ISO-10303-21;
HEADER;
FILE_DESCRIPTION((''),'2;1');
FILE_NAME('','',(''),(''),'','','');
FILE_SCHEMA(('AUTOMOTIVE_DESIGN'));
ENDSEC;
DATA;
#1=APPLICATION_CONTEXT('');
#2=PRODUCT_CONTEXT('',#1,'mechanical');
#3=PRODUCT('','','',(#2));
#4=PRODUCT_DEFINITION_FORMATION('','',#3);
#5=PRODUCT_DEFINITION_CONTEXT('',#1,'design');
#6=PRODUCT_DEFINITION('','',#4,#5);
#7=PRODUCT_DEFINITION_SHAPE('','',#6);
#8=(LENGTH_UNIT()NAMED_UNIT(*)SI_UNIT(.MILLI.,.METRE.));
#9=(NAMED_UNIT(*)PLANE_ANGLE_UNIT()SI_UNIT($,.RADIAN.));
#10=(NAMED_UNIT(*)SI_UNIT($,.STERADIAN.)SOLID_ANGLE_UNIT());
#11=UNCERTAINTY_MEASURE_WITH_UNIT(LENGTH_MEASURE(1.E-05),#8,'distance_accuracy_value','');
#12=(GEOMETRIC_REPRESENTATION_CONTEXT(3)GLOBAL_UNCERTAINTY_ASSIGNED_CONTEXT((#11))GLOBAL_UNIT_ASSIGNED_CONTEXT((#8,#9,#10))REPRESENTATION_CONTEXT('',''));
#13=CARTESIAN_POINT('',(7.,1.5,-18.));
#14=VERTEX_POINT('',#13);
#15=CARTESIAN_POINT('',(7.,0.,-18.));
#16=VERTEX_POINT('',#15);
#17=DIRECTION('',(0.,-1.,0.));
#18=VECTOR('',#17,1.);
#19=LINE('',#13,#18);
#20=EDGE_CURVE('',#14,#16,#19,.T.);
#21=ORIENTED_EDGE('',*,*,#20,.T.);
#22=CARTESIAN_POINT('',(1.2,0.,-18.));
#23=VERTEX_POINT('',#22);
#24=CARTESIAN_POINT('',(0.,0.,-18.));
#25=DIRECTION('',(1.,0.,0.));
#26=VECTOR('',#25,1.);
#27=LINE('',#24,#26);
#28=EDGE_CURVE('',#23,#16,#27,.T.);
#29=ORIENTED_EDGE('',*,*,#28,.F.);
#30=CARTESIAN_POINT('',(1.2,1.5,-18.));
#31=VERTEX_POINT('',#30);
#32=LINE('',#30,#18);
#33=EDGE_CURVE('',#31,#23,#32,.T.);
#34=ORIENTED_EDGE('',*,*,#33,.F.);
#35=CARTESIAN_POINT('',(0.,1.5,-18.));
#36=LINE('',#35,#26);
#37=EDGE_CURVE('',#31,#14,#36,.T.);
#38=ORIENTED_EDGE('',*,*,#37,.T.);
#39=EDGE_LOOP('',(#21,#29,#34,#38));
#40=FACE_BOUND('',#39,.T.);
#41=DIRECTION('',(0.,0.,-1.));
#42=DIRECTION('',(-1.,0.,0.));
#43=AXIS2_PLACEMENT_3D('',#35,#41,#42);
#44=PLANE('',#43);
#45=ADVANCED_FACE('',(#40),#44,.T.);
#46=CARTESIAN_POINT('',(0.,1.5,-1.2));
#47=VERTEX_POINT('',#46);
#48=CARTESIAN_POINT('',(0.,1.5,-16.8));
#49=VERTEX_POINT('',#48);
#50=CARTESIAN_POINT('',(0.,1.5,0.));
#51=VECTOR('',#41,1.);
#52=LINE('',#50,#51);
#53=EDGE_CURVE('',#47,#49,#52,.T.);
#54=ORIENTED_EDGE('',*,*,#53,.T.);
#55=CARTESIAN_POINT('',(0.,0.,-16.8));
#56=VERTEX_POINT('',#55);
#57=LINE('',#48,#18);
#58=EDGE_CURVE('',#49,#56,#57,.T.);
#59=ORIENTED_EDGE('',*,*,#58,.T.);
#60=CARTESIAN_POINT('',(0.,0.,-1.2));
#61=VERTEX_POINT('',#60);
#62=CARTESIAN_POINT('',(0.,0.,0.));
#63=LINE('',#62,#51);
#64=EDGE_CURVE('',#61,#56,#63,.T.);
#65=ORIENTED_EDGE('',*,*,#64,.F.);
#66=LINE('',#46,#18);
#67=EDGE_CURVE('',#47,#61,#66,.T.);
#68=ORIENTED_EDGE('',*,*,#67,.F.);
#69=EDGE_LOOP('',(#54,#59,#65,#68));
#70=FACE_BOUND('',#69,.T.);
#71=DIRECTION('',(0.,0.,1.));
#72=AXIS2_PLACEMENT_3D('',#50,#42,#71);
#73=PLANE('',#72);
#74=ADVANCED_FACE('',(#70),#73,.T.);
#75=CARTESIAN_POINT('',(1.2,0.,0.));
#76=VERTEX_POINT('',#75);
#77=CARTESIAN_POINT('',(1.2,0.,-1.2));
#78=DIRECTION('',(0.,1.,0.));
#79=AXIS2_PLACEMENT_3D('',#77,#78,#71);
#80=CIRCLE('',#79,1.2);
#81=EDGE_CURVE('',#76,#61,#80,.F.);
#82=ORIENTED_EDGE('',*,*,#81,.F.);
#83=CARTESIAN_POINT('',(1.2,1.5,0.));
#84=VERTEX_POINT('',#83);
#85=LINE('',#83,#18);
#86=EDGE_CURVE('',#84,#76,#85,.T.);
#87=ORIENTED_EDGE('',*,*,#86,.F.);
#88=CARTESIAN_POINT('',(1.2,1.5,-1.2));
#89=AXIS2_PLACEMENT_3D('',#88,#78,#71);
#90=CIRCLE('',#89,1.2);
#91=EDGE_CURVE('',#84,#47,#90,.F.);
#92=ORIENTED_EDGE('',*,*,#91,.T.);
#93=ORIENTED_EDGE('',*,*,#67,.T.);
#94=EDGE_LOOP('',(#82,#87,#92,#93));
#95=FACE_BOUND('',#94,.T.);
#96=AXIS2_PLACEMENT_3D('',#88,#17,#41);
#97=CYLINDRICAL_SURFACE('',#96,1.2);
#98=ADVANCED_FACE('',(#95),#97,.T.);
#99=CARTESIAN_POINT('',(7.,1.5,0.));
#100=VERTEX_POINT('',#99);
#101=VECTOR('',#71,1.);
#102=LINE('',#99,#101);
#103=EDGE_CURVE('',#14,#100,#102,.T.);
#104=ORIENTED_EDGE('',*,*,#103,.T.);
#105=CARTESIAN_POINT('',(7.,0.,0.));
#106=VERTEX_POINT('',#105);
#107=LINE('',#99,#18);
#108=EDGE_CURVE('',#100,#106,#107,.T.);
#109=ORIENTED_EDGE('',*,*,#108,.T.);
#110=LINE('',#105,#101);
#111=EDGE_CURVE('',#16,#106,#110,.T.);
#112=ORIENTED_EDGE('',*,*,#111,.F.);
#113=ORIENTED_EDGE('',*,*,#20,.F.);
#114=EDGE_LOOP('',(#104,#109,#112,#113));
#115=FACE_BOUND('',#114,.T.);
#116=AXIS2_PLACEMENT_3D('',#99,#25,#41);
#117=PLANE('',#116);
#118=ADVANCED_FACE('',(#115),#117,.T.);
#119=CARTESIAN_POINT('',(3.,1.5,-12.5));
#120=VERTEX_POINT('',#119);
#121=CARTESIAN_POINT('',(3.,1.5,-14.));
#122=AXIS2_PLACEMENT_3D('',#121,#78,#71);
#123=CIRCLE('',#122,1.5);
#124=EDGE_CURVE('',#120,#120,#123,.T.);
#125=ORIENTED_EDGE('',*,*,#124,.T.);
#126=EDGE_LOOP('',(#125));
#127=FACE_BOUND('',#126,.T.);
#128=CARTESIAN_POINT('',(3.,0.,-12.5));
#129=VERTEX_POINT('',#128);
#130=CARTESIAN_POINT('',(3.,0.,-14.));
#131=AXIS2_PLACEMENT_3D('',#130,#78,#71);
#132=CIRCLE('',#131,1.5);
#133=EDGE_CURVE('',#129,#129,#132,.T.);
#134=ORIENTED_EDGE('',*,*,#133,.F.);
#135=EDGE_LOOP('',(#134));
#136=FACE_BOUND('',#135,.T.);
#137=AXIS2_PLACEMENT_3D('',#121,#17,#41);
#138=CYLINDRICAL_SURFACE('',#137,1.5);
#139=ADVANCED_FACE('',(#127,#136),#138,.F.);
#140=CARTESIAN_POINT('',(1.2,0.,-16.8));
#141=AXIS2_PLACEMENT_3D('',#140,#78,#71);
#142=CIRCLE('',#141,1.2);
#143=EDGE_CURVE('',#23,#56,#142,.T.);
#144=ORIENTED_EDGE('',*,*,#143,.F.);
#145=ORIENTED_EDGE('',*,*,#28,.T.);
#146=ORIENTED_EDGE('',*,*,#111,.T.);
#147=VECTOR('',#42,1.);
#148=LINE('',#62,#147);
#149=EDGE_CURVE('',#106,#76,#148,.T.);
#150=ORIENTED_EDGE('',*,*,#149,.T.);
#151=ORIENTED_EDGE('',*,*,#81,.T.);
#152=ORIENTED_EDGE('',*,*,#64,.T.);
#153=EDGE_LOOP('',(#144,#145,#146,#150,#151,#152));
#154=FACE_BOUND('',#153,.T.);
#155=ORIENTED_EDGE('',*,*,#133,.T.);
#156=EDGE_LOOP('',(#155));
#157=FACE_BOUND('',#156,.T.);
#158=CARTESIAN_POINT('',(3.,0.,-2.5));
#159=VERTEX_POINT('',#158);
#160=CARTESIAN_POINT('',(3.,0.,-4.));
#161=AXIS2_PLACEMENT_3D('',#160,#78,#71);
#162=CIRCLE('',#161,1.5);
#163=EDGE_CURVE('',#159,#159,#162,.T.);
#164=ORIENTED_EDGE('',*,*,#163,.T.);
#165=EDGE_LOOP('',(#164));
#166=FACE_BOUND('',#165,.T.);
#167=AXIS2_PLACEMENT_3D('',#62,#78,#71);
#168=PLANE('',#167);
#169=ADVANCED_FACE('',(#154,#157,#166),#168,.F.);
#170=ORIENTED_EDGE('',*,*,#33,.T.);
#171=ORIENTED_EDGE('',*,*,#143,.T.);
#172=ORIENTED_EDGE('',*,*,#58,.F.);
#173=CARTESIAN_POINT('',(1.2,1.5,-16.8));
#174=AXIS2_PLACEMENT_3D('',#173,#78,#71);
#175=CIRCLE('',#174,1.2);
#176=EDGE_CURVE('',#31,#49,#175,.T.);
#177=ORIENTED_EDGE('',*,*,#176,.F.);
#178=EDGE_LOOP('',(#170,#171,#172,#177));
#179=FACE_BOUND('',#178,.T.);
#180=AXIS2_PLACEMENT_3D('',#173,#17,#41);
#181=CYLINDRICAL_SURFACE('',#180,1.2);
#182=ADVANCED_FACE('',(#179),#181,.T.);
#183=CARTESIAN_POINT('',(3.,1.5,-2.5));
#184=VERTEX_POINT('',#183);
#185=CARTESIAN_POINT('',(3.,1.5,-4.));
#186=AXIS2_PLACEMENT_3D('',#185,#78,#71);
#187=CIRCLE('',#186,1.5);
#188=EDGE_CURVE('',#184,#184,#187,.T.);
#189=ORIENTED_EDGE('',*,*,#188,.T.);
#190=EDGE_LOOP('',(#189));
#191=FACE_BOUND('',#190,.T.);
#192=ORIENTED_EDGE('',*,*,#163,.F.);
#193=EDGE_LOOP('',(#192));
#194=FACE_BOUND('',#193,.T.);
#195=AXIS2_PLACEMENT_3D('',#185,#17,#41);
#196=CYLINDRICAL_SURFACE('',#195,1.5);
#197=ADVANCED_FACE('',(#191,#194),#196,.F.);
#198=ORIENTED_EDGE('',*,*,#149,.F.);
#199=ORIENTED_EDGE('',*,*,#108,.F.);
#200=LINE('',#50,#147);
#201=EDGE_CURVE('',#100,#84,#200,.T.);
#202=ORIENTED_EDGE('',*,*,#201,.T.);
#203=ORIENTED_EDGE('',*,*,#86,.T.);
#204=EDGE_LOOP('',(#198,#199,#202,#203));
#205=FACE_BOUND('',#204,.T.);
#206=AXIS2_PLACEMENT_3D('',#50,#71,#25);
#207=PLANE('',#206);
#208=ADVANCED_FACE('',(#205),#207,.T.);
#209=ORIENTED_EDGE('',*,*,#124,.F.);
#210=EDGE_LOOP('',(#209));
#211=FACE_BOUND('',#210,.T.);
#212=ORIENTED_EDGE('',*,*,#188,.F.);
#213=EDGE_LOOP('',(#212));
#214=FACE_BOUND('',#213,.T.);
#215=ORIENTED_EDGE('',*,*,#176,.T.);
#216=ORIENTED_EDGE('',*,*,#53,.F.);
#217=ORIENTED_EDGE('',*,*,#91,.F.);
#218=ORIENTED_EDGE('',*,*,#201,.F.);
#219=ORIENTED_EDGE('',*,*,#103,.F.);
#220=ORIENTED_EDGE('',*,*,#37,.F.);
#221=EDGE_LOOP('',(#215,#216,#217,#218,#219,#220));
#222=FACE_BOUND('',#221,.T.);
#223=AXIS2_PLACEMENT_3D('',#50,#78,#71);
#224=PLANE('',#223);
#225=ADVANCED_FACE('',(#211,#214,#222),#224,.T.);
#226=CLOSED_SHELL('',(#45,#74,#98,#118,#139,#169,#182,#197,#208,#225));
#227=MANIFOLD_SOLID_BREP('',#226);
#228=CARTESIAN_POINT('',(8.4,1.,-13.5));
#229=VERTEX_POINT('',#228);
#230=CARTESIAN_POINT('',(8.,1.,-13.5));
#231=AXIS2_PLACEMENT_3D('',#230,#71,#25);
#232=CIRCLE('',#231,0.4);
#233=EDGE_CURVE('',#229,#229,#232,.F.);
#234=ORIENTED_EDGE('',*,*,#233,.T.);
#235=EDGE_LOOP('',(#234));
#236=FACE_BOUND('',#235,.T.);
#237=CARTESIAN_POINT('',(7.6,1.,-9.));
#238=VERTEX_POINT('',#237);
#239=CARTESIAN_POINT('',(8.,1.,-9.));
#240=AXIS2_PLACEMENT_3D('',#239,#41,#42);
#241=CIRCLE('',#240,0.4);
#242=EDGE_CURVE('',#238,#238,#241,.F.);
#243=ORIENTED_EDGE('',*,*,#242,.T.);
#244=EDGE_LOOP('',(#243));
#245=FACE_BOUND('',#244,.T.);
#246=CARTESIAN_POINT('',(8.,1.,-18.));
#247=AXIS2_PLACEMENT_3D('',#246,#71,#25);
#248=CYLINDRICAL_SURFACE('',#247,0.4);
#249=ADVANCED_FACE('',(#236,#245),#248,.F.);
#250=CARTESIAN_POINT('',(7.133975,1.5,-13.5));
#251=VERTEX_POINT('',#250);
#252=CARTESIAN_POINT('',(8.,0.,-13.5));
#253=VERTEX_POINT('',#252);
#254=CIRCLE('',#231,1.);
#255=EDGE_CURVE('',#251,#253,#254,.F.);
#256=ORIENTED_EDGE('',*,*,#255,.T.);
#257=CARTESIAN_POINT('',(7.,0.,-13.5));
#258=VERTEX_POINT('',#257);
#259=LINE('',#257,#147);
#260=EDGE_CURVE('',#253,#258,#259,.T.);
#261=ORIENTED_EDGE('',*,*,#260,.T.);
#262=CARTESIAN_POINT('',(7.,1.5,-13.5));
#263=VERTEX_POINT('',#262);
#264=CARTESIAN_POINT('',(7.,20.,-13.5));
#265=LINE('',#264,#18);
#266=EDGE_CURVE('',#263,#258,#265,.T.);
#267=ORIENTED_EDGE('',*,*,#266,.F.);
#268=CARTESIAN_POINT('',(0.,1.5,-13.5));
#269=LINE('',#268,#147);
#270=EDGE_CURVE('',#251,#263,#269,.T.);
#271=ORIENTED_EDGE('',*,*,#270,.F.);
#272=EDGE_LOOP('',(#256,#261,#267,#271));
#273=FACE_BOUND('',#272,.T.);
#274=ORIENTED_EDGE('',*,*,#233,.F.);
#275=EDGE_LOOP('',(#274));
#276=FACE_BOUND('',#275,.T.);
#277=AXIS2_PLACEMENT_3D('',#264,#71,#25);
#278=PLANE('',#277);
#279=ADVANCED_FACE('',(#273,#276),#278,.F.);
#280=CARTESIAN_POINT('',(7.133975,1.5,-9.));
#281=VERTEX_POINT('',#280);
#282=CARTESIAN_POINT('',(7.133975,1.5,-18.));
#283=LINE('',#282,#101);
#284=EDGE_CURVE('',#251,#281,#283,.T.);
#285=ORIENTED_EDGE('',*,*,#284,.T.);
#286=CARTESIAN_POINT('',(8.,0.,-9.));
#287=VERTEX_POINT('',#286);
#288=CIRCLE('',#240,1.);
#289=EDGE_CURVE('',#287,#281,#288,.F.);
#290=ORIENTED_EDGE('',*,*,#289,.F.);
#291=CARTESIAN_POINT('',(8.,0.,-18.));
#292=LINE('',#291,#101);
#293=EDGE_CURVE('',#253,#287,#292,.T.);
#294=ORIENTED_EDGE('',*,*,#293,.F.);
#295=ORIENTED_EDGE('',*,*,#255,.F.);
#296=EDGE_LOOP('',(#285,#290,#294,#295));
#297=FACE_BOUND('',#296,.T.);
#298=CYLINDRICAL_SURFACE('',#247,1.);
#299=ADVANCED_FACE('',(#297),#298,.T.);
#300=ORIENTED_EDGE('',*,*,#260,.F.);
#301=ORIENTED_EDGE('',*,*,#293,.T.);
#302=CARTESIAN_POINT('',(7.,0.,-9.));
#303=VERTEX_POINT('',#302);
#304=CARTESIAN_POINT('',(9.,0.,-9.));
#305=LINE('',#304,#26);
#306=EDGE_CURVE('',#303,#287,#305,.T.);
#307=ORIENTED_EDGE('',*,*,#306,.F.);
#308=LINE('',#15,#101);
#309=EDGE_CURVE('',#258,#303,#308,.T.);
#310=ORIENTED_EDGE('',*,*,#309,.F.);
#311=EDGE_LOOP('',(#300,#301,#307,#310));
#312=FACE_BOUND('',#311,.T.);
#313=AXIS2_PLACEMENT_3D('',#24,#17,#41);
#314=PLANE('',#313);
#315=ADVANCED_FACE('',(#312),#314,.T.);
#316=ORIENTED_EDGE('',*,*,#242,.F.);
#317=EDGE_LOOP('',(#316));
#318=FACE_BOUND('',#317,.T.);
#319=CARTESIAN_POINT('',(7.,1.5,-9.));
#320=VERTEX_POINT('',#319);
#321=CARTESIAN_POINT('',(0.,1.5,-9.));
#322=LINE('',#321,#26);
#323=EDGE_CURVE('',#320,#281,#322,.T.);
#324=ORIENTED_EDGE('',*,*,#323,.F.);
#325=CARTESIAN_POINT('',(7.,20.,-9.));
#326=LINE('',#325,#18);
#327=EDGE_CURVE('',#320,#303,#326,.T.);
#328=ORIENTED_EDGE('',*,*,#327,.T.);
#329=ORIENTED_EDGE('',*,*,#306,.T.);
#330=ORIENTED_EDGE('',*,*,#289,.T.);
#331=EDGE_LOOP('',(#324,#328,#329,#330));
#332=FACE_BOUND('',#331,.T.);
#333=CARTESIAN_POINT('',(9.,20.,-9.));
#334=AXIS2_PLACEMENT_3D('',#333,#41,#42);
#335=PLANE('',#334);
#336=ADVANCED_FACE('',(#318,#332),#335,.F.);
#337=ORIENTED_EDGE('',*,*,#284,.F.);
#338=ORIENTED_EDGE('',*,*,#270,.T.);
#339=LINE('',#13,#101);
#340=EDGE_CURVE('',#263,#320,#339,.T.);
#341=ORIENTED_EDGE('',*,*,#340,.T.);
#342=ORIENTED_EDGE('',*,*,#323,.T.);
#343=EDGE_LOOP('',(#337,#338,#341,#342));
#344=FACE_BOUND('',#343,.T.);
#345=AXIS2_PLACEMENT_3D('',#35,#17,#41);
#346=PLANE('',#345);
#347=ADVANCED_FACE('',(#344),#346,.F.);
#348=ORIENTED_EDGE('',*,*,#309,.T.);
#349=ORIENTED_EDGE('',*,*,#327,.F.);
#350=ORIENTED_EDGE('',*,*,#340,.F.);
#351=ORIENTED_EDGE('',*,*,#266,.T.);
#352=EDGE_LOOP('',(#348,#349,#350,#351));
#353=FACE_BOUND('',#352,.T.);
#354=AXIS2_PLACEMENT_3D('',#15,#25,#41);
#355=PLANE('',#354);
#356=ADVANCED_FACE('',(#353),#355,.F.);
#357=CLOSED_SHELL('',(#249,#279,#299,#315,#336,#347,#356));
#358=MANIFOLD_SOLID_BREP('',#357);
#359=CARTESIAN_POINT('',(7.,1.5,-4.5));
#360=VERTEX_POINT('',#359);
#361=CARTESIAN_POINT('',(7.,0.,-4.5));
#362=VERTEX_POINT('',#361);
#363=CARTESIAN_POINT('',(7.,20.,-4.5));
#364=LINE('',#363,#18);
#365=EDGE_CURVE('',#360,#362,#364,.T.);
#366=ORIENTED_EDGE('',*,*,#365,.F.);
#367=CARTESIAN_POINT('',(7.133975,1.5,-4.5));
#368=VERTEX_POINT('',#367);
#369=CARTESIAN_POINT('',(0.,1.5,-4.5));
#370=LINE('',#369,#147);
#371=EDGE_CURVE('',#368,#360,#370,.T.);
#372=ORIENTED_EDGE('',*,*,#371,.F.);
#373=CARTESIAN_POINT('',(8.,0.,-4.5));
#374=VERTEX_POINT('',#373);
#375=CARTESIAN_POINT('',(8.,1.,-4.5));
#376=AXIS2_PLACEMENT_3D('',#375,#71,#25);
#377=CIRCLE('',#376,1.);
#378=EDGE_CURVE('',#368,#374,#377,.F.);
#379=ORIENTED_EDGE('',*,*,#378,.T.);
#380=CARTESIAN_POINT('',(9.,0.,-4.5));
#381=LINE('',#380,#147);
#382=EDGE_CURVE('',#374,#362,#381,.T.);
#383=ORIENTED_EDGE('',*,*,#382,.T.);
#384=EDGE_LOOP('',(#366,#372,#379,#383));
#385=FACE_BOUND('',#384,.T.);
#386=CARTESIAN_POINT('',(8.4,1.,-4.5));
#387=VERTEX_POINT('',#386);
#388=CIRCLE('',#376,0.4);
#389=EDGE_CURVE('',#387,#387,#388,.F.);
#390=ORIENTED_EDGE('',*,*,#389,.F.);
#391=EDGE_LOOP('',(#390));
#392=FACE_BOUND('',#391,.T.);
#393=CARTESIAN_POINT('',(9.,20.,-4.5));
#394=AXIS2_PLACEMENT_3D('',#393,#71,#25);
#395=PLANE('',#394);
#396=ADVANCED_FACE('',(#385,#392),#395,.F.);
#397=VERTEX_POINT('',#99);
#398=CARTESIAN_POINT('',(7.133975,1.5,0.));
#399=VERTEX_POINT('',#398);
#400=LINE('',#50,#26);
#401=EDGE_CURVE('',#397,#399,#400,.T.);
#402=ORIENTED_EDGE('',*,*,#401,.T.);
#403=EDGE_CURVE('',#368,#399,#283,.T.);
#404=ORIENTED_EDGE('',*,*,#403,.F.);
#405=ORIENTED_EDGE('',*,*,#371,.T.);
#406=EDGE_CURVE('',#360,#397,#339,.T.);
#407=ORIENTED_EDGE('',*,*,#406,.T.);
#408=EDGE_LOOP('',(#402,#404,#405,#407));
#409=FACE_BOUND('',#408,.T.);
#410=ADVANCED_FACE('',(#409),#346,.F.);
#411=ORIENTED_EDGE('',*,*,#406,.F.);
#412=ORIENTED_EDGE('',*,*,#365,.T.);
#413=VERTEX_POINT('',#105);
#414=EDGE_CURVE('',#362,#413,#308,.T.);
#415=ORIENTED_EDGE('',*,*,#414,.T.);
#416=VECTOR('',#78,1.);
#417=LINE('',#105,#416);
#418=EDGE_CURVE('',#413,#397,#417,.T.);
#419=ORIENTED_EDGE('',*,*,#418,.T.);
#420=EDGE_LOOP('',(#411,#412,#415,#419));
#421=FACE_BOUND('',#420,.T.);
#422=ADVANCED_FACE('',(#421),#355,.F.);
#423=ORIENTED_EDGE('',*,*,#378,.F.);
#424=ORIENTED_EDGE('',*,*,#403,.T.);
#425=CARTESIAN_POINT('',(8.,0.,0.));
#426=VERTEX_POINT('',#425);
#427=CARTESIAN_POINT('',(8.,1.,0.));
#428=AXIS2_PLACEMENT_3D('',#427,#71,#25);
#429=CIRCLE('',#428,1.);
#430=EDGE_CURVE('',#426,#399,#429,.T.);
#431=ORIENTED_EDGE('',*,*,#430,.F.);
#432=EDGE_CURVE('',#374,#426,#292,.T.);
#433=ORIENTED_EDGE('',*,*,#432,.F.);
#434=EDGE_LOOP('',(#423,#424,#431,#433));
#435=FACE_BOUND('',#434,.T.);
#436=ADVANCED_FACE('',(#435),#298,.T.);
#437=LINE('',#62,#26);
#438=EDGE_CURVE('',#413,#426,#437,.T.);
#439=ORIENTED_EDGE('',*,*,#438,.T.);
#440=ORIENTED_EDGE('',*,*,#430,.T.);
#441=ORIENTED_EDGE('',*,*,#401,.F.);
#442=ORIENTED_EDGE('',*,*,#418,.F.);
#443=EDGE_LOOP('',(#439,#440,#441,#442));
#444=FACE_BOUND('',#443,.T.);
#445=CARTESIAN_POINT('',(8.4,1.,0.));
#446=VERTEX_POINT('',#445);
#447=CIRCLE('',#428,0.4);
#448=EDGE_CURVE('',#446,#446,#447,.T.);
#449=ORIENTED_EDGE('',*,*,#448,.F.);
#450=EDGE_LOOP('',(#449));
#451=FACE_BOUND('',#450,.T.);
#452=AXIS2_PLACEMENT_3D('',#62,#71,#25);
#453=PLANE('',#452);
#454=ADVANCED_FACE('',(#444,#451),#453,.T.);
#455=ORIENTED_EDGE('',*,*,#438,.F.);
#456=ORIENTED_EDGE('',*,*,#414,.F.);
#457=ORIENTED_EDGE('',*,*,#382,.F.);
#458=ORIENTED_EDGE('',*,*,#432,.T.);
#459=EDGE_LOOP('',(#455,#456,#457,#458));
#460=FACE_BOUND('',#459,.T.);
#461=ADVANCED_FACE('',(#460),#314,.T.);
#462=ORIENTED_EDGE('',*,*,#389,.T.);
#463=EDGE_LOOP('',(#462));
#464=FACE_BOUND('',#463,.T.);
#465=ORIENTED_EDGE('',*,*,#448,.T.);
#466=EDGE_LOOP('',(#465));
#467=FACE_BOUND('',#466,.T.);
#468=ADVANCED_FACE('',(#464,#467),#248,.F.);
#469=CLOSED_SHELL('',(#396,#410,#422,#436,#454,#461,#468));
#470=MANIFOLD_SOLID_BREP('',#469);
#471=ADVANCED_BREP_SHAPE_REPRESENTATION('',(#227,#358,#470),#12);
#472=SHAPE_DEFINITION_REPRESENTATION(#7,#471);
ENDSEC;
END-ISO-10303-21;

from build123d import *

# Parameters (mm, degrees)
SKETCH_1_R          = 1.5
EXTRUDE_1_DEPTH     = 1.5
SKETCH2_R           = 0.4
BOSS_EXTRUDE3_DEPTH = 18
SKETCH3_W           = 2
SKETCH3_H           = 4.5
CUT_EXTRUDE2_DEPTH  = 20


with BuildPart() as part:
    # Эскиз1 → Бобышка-Вытянуть1 (new body)
    with BuildSketch(Plane(origin=(0, 0, 0), x_dir=(1, 0, 0), z_dir=(0, 1, 0))):
        with BuildLine():
            Line((0, 16.8), (0, 1.2))
            ThreePointArc((0, 1.2), (0.351471863, 0.351471863), (1.2, 0))
            Line((1.2, 0), (7, 0))
            Line((7, 0), (7, 4.5))
            Line((7, 4.5), (7, 9))
            Line((7, 9), (7, 13.5))
            Line((7, 13.5), (7, 18))
            Line((7, 18), (1.2, 18))
            ThreePointArc((1.2, 18), (0.351471863, 17.648528137), (0, 16.8))
        make_face()
        with Locations(Location((3, 4, 0), (0, 0, 270))):
            Circle(SKETCH_1_R, mode=Mode.SUBTRACT)
        with Locations(Location((3, 14, 0), (0, 0, 270))):
            Circle(SKETCH_1_R, mode=Mode.SUBTRACT)
    extrude(amount=EXTRUDE_1_DEPTH)


with BuildPart() as body_2:
    # Sketch2 → Boss-Extrude3 (new body)
    with BuildSketch(Plane.XY):
        with BuildLine():
            Line((7, 0), (8, 0))
            ThreePointArc((8, 0), (8.866025404, 1.5), (7.133974596, 1.5))
            Line((7.133974596, 1.5), (7, 1.5))
            Line((7, 1.5), (7, 0))
        make_face()
        with Locations((8, 1)):
            Circle(SKETCH2_R, mode=Mode.SUBTRACT)
    extrude(amount=-BOSS_EXTRUDE3_DEPTH)

    # Sketch3 → Cut-Extrude2 (cut)
    with BuildSketch(Plane.XZ):
        with Locations((8, -6.75)):
            Rectangle(SKETCH3_W, SKETCH3_H)
        with Locations((8, -15.75)):
            Rectangle(SKETCH3_W, SKETCH3_H)
    extrude(amount=-CUT_EXTRUDE2_DEPTH, mode=Mode.SUBTRACT)


with BuildPart() as cut_extrude2_piece_1:
    # of the separate pieces the step leaves, piece 1, a body of its own (cut_extrude2_pieces)
    add(body_2.part.solids().sort_by_distance((8, 0, 0))[0])


with BuildPart() as cut_extrude2_piece_2:
    # of the separate pieces the step leaves, piece 2, a body of its own (cut_extrude2_pieces)
    add(body_2.part.solids().sort_by_distance((7.133974596, 1.5, -9))[0])


solid = Compound([part.part, cut_extrude2_piece_1.part, cut_extrude2_piece_2.part])
